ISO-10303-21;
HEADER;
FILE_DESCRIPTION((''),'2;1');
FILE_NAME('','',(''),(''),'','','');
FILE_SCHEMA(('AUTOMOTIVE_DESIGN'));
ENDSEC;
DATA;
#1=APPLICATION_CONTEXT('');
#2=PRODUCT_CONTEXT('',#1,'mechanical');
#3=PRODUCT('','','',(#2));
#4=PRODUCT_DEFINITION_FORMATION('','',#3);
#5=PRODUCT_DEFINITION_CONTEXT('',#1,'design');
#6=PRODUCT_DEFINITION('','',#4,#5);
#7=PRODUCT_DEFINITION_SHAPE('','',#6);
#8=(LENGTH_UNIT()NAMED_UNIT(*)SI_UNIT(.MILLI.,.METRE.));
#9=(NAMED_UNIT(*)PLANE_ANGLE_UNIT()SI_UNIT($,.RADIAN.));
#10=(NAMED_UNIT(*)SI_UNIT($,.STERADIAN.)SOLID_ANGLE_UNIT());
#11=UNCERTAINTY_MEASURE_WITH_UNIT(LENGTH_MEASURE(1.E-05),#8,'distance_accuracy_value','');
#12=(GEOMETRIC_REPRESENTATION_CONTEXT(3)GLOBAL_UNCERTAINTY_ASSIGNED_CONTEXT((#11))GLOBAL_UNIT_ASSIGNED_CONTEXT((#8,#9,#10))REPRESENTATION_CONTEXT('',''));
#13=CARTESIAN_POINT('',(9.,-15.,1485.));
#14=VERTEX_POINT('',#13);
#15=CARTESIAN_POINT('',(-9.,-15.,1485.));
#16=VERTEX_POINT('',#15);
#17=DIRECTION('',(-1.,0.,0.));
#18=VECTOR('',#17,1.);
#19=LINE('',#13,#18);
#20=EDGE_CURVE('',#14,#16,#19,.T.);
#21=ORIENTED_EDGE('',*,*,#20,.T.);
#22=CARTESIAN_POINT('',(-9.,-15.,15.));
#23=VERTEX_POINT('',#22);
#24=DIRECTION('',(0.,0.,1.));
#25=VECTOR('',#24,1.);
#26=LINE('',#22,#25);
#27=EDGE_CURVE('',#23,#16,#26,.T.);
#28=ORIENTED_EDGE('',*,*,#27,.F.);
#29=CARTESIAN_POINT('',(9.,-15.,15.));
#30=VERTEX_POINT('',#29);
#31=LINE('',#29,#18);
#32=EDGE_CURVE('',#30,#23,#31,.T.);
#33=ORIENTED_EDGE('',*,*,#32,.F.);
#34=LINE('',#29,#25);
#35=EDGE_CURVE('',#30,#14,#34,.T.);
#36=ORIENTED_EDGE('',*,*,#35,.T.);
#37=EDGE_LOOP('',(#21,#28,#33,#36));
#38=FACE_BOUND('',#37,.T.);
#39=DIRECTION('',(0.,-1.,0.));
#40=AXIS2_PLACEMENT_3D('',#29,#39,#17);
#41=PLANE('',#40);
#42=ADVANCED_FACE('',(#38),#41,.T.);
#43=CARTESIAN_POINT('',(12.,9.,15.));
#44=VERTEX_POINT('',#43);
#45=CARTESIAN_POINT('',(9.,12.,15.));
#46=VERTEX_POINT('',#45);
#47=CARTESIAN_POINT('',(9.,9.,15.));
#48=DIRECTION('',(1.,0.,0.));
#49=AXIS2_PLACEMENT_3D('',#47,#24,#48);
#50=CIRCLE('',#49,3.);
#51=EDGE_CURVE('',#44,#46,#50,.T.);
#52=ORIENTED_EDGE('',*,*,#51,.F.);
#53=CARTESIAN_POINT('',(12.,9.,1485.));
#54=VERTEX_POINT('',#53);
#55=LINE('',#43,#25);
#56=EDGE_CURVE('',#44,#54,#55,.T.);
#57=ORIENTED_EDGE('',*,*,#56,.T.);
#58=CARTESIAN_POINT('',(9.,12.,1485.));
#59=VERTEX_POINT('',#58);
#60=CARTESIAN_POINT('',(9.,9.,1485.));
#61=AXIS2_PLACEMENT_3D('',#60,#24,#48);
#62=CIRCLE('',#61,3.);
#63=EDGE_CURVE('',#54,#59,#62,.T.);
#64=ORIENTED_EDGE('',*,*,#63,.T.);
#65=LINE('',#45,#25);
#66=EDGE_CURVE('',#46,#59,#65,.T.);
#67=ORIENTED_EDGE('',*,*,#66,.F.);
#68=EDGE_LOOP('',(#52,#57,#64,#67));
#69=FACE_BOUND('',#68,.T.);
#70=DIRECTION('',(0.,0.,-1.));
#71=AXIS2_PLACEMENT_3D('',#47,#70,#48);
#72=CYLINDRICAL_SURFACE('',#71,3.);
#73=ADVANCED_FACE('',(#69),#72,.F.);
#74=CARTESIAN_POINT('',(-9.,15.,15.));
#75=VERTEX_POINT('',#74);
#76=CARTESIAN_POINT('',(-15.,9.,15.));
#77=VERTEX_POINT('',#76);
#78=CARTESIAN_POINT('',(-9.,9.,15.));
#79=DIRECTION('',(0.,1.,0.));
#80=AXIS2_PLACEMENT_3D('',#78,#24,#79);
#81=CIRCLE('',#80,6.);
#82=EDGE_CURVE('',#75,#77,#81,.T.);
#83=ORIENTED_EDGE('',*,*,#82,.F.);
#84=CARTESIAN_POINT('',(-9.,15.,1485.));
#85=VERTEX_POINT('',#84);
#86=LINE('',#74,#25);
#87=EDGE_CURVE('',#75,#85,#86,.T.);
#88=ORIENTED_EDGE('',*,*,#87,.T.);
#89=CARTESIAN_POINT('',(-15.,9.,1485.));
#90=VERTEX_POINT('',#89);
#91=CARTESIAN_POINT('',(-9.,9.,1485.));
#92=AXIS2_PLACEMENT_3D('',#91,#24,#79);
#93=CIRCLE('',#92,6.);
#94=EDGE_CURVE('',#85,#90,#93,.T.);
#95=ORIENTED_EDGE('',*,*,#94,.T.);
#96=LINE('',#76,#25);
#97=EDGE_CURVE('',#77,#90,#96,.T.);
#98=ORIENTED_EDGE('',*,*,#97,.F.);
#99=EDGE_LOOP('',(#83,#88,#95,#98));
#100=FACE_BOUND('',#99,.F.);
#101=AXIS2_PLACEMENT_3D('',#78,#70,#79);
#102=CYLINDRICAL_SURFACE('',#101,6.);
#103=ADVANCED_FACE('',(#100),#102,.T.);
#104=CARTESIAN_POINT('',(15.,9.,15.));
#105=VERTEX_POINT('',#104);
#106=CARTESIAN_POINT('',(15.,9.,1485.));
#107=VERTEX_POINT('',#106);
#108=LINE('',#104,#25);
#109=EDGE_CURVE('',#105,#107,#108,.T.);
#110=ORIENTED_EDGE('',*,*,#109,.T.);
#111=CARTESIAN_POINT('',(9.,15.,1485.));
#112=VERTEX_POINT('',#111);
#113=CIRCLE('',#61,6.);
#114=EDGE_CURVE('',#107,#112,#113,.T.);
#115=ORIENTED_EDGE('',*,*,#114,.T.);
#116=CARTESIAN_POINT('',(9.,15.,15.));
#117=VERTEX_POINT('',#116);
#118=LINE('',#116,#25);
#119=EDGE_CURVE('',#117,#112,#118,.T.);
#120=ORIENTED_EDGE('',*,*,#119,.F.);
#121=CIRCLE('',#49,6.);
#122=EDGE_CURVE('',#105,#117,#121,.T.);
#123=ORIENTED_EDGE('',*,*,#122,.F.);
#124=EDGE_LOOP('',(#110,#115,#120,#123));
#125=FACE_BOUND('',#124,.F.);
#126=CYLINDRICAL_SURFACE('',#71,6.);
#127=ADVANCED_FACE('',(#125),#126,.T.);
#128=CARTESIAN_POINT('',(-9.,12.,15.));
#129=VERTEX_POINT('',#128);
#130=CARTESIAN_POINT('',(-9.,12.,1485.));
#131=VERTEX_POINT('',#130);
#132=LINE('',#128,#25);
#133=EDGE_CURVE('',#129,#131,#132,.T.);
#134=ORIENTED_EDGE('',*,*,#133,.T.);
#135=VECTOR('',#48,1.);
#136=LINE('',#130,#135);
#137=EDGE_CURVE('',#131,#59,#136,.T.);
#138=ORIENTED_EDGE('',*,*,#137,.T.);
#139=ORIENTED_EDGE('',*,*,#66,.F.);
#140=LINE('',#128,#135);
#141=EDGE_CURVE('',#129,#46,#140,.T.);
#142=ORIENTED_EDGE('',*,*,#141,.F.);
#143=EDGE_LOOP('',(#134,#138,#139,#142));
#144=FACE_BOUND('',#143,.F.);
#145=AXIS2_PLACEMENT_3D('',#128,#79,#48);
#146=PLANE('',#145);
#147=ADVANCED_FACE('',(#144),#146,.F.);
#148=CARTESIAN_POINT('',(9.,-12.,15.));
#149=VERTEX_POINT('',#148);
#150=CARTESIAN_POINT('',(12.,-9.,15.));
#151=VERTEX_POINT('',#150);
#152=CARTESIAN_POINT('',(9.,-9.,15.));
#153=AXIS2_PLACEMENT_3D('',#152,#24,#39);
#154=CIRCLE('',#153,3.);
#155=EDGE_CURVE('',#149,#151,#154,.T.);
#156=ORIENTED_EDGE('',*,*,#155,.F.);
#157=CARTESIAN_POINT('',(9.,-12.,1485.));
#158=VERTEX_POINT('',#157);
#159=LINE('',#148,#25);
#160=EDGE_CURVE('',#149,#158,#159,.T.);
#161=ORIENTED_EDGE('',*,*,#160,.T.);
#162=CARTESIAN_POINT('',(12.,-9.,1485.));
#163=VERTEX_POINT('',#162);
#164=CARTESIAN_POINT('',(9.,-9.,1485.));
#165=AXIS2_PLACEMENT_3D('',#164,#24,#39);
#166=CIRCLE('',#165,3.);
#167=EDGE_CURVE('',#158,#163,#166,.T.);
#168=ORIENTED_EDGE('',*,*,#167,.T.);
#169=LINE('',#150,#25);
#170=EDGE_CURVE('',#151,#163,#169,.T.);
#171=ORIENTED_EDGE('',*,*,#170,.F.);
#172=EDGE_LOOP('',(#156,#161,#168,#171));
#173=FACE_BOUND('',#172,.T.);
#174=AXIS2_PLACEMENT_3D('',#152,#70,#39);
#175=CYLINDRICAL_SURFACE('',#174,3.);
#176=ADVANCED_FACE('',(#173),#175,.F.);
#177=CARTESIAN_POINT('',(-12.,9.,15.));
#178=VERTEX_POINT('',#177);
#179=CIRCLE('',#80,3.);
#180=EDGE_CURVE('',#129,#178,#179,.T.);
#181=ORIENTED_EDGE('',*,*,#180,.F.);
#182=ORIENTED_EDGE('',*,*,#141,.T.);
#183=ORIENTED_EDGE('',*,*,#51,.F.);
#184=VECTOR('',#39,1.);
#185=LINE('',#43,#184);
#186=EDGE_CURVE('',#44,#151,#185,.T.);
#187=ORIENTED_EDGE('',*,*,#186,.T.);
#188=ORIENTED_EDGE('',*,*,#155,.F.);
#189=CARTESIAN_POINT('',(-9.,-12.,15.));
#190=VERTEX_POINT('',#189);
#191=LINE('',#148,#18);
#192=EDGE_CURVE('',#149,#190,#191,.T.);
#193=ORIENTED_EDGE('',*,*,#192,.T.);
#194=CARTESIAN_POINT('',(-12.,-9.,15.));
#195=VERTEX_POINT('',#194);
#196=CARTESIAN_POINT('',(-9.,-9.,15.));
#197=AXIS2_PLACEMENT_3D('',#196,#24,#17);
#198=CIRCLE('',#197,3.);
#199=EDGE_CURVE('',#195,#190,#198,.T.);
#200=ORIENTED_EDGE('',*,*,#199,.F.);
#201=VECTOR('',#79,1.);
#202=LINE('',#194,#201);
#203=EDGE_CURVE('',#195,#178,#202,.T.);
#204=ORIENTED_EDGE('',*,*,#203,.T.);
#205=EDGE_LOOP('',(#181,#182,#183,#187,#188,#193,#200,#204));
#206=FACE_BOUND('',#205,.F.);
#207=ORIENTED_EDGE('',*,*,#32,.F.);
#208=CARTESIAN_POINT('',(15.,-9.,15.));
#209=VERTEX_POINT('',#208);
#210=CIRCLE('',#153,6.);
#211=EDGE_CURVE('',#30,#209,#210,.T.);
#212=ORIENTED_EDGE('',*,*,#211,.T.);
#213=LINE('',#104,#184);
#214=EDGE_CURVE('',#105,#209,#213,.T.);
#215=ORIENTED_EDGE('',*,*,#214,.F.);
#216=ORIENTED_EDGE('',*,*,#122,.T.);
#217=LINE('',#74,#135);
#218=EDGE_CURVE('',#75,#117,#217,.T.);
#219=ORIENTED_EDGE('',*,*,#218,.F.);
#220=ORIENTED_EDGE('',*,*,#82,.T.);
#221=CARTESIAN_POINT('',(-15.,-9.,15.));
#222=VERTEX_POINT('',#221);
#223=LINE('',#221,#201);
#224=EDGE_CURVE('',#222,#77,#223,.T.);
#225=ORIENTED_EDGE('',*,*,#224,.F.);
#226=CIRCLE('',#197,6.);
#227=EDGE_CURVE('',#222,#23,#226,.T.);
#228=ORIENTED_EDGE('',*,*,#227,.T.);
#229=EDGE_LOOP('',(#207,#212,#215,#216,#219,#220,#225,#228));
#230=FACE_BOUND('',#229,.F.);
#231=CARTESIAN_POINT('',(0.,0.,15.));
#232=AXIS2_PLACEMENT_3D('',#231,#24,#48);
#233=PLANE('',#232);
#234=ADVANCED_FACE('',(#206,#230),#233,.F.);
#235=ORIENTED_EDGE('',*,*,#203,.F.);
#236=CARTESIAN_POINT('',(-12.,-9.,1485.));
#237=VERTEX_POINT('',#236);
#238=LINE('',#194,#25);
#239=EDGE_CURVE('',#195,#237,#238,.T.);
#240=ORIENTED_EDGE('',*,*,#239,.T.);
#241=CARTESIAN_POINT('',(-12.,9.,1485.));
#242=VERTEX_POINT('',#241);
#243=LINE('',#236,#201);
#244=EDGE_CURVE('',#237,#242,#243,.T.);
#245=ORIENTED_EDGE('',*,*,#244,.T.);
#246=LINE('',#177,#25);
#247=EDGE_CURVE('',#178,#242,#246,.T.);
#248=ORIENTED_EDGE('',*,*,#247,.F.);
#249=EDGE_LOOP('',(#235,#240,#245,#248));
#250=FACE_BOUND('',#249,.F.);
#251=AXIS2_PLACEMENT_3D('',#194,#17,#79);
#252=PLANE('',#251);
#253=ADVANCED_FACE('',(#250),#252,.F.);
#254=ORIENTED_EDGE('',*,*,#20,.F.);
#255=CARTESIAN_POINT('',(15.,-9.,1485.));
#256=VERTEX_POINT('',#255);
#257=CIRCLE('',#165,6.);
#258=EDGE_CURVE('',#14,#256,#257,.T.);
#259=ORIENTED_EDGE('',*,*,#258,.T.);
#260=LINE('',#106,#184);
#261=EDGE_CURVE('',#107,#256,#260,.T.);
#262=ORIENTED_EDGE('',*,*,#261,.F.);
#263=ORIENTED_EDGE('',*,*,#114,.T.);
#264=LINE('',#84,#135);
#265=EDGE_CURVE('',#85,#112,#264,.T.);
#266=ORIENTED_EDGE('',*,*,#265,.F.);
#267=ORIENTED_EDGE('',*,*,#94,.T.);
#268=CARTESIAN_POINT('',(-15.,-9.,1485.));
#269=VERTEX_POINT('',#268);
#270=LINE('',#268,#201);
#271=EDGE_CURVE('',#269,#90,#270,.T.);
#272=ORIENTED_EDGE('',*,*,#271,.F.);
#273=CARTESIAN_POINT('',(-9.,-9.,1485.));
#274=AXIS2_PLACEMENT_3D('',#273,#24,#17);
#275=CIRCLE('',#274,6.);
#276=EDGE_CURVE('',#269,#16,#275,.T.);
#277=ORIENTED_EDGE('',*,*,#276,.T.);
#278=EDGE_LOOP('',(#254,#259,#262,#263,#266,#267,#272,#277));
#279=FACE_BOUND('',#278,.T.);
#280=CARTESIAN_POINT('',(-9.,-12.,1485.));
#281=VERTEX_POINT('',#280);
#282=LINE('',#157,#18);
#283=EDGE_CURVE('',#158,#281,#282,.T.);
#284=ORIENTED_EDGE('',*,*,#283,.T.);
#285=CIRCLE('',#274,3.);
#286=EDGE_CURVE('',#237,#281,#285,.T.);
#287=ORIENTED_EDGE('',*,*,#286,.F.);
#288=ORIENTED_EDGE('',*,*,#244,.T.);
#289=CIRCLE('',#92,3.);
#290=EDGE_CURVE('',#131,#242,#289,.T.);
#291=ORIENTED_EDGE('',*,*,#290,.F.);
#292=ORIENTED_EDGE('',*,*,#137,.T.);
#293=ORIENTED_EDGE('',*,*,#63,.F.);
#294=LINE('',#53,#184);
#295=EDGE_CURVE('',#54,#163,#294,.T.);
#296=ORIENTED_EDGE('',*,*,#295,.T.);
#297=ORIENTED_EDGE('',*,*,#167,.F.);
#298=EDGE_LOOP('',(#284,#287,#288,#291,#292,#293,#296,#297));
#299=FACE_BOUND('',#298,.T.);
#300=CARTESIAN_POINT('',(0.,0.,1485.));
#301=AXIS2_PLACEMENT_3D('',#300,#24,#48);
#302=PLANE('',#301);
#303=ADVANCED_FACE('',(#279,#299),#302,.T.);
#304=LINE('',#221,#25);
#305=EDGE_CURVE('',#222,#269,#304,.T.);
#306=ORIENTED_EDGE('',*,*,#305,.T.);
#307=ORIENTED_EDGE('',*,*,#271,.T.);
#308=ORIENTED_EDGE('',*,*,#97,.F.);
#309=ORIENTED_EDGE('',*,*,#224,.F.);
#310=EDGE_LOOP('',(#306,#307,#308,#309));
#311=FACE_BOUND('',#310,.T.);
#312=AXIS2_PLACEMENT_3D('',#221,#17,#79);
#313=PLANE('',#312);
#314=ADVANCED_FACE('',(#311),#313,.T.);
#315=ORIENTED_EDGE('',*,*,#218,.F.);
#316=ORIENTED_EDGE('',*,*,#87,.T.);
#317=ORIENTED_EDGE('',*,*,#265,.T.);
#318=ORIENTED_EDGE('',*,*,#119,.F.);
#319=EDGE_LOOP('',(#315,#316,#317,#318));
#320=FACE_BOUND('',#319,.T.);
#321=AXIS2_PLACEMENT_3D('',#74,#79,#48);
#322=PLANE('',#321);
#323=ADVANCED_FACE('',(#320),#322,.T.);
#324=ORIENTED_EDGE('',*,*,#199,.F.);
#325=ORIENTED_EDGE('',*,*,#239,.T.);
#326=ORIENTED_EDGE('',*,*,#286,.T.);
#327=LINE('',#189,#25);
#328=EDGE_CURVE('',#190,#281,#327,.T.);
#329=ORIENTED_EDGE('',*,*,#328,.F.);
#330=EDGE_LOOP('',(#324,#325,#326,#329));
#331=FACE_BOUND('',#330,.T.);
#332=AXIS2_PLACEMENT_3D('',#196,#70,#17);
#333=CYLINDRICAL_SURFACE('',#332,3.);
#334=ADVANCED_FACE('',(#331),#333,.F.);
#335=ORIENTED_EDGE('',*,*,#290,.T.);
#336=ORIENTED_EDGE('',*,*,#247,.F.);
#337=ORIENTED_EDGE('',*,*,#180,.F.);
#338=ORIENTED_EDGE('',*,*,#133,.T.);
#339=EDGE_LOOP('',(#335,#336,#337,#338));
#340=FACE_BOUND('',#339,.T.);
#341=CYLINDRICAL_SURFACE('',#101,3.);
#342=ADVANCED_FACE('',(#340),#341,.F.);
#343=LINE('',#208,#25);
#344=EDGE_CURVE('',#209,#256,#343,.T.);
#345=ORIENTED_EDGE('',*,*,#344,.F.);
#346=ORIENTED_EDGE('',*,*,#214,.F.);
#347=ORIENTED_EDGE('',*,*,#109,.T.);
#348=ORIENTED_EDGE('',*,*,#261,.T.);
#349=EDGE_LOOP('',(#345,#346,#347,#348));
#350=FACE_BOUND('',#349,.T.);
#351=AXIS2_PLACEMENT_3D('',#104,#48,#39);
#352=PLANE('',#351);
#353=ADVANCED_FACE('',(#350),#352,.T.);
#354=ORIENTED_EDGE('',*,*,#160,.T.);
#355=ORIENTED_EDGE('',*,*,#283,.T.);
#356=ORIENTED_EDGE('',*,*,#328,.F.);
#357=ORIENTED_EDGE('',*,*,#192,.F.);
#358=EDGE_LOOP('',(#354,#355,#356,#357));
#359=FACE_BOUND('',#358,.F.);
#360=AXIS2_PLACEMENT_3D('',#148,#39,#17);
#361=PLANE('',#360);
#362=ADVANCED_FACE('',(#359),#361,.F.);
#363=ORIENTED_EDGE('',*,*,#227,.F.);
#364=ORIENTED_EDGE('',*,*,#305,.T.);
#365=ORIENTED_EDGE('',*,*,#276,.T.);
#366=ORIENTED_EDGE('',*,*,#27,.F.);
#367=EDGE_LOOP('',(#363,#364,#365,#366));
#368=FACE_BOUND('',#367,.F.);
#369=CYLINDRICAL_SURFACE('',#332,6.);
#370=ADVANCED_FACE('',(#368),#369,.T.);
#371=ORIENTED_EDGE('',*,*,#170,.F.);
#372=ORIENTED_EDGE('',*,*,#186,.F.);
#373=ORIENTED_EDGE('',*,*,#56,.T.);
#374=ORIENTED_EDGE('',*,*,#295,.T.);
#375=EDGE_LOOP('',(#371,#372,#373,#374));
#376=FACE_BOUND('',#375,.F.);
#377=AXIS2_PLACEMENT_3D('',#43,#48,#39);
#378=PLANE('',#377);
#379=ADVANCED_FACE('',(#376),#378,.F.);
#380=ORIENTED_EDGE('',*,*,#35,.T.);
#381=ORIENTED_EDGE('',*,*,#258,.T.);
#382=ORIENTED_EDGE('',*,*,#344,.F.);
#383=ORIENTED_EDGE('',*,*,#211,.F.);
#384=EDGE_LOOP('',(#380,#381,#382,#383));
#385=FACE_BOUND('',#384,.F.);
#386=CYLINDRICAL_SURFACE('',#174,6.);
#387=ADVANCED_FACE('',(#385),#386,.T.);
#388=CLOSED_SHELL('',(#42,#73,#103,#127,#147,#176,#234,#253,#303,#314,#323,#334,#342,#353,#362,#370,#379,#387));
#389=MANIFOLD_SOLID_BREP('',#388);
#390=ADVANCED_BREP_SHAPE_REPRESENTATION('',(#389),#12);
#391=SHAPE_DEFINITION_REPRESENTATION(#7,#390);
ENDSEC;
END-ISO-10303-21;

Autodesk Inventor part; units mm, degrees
ref_plane "Start Plane" through (0, 0, 15) normal (0, 0, 1) x (1, 0, 0)
ref_plane "End Plane" through (0, 0, 1485) normal (0, 0, 1) x (1, 0, 0)
sketch "Sketch" plane through (0, 0, 0) normal (0, 0, 1) x (1, 0, 0)
  line L0 (-15, -9) -> (-15, 9)
  line L1 (-9, 15) -> (9, 15)
  line L2 (15, 9) -> (15, -9)
  line L3 (9, -15) -> (-9, -15)
  arc A0 (-15, -9) -> (-9, -15) centre (-9, -9) ccw
  arc A1 (-9, 15) -> (-15, 9) centre (-9, 9) ccw
  arc A2 (15, 9) -> (9, 15) centre (9, 9) ccw
  arc A3 (9, -15) -> (15, -9) centre (9, -9) ccw
  arc A4 (-9, 12) -> (-12, 9) centre (-9, 9) ccw
  line L4 (-9, 12) -> (9, 12)
  arc A5 (12, 9) -> (9, 12) centre (9, 9) ccw
  line L5 (12, 9) -> (12, -9)
  arc A6 (9, -12) -> (12, -9) centre (9, -9) ccw
  line L6 (9, -12) -> (-9, -12)
  arc A7 (-12, -9) -> (-9, -12) centre (-9, -9) ccw
  line L7 (-12, -9) -> (-12, 9)
  line L8 (0, 22.7397) -> (0, -22.7397) construction
  line L9 (-22.7397, 0) -> (22.7397, 0) construction
  dimension "d7" = 6
  dimension "d10" = 30
  dimension "d11" = 30
  dimension "d12" = 3
  dimension "d15" = 15
  dimension "d16" = 15
extrude "Body" add sketch "Sketch" along normal up to surface (1470 mm away) from surface at 15
sketch "Sketch3" plane through (0, 0, 0) normal (0, 0, 1) x (1, 0, 0)
  line L0 (0, 0) -> (10, 0)
ref_plane "Work Plane3" through (0, 0, 0) normal (0, -1, 0) x (1, 0, 0)
ref_plane "Work Plane4" through (-521.5, -9, 15) normal (0, 0, -1) x (-1, 0, 0)
split "Split1" plane through (-521.5, -9, 15) removes the side toward (0, 0, -1)
ref_plane "Work Plane5" through (-1321.5, 9, 1485) normal (0, 0, 1) x (1, 0, 0)
split "Split2" plane through (-1321.5, 9, 1485) removes the side toward (0, 0, 1)
sketch "Sketch4" plane through (0, 0, 0) normal (0, -1, 0) x (1, 0, 0)
  line L0 (-2, 15) -> (12, 15) projected
  line L1 (-2, 1485) -> (12, 1485) projected
  dimension "d18" = 1470
equation "\"d7\" = G_IR"
equation "\"d10\" = G_H"
equation "\"d11\" = G_W"
equation "\"d12\" = G_T"
equation "\"d15\" = 0.5 * d10"
equation "\"d16\" = 0.5 * d11"
equation "\"d3\" = G_L"
equation "\"G_W\" = 30"
equation "\"G_H\" = 30"
equation "\"G_T\" = 3"
equation "\"G_IR\" = 6"
equation "\"G_L\" = d18"
equation "\"G_OFFSET_START\" = -15"
equation "\"G_OFFSET_END\" = -15"
equation "\"d13\" = -G_OFFSET_START"
equation "\"d14\" = G_OFFSET_END + B_L"
equation "\"B_L\" = 1500"
properties part number "DIN EN 10219-2 - 30 x 30 x 3  - 1470" material "Steel, Mild"
